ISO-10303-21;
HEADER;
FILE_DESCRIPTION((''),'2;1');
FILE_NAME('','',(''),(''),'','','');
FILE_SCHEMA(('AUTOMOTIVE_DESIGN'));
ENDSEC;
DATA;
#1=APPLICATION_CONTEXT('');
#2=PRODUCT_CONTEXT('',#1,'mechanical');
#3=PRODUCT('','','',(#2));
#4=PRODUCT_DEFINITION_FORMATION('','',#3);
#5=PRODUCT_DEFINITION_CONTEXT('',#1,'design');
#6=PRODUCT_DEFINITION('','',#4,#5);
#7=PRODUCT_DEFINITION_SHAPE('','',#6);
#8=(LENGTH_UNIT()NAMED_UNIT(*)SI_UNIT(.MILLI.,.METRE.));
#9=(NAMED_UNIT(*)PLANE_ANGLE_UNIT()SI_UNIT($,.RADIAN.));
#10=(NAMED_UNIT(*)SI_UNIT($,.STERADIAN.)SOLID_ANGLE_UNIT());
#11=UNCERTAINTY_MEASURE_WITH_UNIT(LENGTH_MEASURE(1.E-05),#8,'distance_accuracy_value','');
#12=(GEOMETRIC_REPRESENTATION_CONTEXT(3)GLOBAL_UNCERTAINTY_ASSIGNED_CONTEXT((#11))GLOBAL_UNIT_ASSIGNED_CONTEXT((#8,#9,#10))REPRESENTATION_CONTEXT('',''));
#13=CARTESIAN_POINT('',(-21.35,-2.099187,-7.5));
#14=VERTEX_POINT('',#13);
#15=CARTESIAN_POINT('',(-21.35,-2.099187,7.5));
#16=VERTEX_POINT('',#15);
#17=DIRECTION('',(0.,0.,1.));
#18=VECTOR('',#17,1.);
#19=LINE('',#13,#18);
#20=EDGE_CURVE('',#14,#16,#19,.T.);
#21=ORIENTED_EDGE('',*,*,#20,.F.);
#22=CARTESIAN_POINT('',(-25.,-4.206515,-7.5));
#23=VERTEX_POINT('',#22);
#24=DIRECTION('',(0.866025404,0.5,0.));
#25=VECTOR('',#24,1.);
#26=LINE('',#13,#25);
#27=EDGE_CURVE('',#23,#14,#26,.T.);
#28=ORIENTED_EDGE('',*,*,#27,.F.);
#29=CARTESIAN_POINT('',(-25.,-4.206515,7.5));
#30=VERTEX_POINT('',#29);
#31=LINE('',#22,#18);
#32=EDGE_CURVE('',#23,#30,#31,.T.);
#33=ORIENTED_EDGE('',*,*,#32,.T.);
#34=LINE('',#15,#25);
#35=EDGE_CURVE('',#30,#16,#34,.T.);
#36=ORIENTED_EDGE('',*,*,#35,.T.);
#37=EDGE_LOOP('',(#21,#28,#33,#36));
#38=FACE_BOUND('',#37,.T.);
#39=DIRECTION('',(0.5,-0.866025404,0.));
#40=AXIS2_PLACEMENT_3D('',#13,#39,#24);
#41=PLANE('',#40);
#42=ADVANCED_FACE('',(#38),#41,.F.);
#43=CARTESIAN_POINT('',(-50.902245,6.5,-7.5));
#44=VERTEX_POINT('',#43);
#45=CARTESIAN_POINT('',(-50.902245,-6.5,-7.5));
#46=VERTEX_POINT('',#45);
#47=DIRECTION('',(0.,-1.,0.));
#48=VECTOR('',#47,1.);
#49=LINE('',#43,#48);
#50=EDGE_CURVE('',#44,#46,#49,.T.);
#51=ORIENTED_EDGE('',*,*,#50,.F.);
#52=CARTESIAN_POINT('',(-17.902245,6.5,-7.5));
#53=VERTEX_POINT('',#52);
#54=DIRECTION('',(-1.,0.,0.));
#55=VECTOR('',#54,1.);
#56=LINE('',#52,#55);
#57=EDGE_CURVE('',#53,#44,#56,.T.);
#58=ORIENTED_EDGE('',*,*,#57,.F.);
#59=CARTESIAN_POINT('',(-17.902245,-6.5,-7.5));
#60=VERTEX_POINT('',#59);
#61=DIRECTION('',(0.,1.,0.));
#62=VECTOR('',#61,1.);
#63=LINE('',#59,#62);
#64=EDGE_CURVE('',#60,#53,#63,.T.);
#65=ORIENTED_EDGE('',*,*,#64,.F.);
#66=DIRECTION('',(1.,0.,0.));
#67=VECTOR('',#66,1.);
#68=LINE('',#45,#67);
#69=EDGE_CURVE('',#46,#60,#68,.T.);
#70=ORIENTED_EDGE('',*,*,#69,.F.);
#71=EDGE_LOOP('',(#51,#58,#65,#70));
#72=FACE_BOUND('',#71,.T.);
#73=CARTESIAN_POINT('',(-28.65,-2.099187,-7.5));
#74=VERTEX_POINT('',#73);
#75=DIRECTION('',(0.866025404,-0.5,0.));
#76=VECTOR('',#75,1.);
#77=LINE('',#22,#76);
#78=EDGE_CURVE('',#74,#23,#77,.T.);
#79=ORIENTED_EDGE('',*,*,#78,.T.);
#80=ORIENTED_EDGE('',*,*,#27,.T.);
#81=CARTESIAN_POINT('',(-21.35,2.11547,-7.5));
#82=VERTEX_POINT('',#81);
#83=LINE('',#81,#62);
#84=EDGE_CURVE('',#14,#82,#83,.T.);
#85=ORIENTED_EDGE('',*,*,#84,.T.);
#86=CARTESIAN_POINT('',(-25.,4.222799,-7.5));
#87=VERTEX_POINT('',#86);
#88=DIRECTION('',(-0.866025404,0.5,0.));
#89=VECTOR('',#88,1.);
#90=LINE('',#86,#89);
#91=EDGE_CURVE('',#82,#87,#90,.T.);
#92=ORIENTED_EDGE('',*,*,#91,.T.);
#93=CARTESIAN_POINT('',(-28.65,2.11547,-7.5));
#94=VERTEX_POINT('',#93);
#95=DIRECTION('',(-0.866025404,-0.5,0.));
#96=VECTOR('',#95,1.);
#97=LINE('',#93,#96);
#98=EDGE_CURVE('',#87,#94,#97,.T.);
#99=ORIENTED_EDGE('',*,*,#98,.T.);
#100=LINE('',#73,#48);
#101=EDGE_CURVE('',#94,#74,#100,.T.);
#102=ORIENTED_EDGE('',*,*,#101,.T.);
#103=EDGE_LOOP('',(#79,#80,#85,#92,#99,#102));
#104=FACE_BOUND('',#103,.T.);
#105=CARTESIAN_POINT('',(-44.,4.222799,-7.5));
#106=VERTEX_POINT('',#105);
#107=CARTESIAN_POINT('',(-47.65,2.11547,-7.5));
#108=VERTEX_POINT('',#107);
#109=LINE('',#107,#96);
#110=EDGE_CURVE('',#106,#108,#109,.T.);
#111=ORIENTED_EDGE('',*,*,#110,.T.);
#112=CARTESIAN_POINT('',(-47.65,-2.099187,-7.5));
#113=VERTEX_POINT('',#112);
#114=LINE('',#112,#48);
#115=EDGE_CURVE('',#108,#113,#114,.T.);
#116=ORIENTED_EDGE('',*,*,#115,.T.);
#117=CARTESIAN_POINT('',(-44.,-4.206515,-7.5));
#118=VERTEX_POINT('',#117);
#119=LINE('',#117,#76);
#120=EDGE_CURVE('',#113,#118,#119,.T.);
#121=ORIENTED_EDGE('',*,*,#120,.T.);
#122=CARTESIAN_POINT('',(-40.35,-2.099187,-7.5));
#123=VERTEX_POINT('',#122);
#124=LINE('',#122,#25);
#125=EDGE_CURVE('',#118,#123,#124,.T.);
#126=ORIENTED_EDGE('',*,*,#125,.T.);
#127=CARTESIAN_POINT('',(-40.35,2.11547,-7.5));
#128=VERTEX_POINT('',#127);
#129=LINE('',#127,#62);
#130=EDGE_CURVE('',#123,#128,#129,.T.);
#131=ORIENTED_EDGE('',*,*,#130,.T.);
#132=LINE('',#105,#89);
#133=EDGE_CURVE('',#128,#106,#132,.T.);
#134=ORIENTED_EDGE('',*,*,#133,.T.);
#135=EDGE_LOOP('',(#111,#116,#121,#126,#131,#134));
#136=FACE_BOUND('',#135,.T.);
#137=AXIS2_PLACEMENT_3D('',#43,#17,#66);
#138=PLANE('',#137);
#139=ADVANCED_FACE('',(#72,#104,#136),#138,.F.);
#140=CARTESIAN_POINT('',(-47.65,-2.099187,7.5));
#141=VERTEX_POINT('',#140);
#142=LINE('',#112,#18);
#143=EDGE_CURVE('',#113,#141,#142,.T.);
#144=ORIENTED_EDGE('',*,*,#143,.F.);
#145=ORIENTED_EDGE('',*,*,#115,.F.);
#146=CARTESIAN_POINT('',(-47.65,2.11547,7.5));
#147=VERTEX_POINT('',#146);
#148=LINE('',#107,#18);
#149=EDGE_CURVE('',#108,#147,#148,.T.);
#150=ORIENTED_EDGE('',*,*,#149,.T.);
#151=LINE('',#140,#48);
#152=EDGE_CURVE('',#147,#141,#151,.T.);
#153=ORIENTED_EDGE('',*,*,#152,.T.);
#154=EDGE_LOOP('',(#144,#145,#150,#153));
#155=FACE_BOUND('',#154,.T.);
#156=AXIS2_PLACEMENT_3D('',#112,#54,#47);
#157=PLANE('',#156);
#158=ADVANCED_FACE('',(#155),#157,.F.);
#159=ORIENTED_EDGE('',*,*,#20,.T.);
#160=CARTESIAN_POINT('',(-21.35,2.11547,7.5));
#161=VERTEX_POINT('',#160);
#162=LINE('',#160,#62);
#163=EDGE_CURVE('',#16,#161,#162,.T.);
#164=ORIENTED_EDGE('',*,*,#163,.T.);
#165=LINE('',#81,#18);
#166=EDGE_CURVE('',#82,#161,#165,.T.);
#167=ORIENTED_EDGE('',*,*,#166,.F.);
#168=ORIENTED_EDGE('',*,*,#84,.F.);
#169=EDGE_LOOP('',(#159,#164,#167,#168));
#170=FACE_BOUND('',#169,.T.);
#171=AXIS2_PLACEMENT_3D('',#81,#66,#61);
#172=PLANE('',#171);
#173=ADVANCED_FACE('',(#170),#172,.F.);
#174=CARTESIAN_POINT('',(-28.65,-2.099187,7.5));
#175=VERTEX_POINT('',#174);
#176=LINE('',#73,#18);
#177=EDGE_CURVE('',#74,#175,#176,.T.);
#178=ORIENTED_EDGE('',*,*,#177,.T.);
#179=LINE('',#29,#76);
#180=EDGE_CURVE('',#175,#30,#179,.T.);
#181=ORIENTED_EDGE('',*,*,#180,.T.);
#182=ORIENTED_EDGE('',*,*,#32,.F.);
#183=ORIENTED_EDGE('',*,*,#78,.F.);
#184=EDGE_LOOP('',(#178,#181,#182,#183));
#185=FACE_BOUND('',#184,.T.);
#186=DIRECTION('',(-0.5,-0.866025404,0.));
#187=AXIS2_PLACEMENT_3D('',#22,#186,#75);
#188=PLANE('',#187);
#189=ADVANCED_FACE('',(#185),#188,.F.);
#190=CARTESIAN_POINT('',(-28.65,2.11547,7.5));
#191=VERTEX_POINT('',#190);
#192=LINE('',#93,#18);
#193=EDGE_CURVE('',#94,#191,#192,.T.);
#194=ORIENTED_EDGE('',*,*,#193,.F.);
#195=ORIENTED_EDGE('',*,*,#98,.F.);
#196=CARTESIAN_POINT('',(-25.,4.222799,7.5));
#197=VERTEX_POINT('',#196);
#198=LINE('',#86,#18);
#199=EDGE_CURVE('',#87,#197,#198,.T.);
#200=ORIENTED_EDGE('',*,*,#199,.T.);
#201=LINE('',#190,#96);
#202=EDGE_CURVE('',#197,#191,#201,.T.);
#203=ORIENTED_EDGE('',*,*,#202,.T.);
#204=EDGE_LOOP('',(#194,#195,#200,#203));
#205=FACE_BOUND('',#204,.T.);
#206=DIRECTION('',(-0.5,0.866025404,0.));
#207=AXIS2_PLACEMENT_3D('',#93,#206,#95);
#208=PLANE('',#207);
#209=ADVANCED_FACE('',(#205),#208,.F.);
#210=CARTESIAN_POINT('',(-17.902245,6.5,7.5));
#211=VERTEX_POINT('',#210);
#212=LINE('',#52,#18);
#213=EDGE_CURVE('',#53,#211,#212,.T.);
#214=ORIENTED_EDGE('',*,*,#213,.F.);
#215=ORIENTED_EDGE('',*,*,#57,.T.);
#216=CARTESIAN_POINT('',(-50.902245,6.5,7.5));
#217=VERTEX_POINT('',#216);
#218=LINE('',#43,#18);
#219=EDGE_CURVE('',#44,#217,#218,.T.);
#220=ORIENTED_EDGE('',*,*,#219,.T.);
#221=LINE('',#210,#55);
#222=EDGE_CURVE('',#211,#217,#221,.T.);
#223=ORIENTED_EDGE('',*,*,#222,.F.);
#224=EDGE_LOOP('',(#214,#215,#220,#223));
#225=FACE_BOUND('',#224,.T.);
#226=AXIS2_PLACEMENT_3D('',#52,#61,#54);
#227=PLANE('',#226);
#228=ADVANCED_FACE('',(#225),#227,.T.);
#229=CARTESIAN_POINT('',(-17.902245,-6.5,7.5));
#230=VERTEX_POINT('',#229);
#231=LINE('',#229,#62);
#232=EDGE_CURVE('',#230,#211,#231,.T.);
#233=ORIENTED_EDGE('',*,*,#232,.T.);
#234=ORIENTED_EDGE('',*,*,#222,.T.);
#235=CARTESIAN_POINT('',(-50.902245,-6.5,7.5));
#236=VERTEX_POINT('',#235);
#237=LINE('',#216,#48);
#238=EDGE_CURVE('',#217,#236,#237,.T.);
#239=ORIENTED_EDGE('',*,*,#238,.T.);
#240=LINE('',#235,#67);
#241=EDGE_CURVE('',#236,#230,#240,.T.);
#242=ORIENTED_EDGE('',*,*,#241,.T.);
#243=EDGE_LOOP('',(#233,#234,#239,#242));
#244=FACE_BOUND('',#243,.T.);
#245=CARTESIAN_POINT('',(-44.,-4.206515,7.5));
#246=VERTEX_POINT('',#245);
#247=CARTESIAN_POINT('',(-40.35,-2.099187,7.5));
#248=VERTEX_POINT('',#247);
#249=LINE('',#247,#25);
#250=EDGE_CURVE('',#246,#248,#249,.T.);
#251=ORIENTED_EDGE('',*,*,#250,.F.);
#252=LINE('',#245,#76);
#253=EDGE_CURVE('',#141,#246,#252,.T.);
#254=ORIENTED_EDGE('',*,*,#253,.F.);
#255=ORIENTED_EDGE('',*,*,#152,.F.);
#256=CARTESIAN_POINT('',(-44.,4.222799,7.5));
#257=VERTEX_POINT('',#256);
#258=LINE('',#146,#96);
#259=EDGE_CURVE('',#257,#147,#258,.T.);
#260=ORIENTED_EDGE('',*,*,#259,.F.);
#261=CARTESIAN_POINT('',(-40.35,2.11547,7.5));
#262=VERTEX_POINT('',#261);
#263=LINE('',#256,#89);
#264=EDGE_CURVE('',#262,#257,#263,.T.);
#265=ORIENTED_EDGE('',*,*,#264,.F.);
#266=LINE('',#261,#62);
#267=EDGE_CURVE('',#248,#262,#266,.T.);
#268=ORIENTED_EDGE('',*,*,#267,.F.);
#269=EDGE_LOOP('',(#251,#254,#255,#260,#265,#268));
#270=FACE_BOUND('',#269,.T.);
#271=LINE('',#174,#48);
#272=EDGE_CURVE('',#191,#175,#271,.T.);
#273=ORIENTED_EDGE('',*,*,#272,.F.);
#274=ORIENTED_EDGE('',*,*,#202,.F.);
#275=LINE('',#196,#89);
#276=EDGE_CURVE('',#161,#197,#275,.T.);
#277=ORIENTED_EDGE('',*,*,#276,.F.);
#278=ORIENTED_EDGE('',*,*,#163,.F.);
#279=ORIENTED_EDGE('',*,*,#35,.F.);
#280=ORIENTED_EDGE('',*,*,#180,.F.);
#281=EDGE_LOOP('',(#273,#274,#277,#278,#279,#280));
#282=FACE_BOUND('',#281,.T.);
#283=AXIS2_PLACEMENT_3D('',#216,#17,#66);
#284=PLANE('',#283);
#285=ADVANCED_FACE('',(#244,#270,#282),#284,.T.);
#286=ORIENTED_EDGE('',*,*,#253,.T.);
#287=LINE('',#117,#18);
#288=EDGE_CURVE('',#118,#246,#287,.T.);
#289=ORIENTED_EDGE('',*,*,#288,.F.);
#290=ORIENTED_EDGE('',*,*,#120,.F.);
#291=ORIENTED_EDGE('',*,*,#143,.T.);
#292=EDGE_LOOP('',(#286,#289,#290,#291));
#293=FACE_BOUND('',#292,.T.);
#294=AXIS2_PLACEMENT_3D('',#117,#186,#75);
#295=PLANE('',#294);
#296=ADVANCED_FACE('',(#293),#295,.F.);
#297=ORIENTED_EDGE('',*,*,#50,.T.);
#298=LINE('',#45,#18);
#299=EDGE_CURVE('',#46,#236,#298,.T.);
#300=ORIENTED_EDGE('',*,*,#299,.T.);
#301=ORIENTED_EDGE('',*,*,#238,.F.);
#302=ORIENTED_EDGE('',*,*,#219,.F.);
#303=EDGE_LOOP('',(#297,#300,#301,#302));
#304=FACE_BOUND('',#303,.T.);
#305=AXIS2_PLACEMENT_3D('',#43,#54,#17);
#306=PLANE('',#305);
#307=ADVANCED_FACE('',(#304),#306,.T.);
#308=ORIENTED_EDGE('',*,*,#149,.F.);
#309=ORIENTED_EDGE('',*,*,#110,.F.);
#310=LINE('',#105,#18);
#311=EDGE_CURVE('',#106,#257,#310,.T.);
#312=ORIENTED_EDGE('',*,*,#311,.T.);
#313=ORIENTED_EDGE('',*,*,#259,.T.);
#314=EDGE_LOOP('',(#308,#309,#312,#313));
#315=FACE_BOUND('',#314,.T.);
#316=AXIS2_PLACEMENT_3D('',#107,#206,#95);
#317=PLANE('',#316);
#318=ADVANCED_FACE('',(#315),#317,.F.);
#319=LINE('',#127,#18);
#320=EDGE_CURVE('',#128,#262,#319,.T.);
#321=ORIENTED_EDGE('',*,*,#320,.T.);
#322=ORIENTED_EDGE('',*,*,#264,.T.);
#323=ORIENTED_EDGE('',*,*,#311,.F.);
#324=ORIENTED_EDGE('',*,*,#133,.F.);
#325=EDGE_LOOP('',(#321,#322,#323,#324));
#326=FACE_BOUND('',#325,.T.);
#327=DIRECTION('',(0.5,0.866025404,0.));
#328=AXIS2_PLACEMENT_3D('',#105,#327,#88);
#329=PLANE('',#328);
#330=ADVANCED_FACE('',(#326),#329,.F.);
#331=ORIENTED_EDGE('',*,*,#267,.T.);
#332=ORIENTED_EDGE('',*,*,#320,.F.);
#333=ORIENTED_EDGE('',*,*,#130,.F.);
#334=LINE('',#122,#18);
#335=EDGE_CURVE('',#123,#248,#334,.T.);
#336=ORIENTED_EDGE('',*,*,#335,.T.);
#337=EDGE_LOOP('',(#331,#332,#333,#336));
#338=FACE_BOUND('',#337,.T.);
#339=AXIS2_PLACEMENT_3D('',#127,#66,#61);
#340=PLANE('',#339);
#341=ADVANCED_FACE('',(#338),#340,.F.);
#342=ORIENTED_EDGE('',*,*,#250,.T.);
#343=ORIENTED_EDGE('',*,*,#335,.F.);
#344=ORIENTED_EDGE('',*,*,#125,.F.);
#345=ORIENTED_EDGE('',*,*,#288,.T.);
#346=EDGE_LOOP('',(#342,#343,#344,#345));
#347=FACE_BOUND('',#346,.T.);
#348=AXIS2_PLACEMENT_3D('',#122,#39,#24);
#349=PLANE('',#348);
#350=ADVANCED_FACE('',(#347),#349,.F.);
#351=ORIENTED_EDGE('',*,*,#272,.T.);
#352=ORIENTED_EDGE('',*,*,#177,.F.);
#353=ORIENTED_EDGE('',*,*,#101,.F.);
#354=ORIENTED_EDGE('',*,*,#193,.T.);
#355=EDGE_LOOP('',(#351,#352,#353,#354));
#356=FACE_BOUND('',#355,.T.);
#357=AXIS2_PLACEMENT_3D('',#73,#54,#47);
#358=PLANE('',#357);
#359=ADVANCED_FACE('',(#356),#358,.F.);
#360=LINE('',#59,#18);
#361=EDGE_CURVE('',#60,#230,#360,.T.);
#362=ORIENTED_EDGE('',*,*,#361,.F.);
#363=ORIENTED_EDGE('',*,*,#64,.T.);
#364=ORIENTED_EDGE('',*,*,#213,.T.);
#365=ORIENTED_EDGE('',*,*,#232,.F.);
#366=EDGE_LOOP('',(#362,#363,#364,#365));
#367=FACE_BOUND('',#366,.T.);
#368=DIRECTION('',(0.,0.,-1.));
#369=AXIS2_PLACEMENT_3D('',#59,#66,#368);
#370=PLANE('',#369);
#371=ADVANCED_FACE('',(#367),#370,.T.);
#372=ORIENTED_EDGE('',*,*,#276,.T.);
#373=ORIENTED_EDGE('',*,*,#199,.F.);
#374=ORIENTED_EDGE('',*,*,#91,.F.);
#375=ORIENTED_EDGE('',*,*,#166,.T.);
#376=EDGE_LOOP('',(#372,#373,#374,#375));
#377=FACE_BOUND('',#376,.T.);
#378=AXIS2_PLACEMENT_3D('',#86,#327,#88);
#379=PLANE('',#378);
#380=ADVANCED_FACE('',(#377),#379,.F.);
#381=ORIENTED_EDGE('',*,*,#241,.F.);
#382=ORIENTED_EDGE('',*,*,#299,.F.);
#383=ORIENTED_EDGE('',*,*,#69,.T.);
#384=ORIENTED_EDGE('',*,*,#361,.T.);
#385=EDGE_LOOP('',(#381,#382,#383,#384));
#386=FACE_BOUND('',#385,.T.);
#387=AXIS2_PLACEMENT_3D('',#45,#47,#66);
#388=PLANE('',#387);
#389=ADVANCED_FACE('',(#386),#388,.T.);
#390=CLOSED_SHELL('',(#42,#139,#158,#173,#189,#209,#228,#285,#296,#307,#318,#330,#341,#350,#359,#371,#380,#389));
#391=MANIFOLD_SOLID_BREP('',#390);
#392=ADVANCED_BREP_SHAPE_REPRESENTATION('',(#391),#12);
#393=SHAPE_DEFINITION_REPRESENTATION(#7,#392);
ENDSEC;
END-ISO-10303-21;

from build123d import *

# Parameters (mm, degrees)
SKETCH1_W           = 33
SKETCH1_H           = 13
BOSS_EXTRUDE1_DEPTH = 15


with BuildPart() as part:
    # Sketch1 → Boss-Extrude1 (new body)
    with BuildSketch(Plane.XY.offset(7.5)):
        with Locations((-34.402245287, 0)):
            Rectangle(SKETCH1_W, SKETCH1_H)
        Polygon((-47.65, -2.099186911), (-47.65, 2.115470054), (-44, 4.222798536), (-40.35, 2.115470054), (-40.35, -2.099186911), (-44, -4.206515394), align=None, mode=Mode.SUBTRACT)
        Polygon((-28.65, -2.099186911), (-28.65, 2.115470054), (-25, 4.222798536), (-21.35, 2.115470054), (-21.35, -2.099186911), (-25, -4.206515394), align=None, mode=Mode.SUBTRACT)
    extrude(amount=-BOSS_EXTRUDE1_DEPTH)


solid = part.part
